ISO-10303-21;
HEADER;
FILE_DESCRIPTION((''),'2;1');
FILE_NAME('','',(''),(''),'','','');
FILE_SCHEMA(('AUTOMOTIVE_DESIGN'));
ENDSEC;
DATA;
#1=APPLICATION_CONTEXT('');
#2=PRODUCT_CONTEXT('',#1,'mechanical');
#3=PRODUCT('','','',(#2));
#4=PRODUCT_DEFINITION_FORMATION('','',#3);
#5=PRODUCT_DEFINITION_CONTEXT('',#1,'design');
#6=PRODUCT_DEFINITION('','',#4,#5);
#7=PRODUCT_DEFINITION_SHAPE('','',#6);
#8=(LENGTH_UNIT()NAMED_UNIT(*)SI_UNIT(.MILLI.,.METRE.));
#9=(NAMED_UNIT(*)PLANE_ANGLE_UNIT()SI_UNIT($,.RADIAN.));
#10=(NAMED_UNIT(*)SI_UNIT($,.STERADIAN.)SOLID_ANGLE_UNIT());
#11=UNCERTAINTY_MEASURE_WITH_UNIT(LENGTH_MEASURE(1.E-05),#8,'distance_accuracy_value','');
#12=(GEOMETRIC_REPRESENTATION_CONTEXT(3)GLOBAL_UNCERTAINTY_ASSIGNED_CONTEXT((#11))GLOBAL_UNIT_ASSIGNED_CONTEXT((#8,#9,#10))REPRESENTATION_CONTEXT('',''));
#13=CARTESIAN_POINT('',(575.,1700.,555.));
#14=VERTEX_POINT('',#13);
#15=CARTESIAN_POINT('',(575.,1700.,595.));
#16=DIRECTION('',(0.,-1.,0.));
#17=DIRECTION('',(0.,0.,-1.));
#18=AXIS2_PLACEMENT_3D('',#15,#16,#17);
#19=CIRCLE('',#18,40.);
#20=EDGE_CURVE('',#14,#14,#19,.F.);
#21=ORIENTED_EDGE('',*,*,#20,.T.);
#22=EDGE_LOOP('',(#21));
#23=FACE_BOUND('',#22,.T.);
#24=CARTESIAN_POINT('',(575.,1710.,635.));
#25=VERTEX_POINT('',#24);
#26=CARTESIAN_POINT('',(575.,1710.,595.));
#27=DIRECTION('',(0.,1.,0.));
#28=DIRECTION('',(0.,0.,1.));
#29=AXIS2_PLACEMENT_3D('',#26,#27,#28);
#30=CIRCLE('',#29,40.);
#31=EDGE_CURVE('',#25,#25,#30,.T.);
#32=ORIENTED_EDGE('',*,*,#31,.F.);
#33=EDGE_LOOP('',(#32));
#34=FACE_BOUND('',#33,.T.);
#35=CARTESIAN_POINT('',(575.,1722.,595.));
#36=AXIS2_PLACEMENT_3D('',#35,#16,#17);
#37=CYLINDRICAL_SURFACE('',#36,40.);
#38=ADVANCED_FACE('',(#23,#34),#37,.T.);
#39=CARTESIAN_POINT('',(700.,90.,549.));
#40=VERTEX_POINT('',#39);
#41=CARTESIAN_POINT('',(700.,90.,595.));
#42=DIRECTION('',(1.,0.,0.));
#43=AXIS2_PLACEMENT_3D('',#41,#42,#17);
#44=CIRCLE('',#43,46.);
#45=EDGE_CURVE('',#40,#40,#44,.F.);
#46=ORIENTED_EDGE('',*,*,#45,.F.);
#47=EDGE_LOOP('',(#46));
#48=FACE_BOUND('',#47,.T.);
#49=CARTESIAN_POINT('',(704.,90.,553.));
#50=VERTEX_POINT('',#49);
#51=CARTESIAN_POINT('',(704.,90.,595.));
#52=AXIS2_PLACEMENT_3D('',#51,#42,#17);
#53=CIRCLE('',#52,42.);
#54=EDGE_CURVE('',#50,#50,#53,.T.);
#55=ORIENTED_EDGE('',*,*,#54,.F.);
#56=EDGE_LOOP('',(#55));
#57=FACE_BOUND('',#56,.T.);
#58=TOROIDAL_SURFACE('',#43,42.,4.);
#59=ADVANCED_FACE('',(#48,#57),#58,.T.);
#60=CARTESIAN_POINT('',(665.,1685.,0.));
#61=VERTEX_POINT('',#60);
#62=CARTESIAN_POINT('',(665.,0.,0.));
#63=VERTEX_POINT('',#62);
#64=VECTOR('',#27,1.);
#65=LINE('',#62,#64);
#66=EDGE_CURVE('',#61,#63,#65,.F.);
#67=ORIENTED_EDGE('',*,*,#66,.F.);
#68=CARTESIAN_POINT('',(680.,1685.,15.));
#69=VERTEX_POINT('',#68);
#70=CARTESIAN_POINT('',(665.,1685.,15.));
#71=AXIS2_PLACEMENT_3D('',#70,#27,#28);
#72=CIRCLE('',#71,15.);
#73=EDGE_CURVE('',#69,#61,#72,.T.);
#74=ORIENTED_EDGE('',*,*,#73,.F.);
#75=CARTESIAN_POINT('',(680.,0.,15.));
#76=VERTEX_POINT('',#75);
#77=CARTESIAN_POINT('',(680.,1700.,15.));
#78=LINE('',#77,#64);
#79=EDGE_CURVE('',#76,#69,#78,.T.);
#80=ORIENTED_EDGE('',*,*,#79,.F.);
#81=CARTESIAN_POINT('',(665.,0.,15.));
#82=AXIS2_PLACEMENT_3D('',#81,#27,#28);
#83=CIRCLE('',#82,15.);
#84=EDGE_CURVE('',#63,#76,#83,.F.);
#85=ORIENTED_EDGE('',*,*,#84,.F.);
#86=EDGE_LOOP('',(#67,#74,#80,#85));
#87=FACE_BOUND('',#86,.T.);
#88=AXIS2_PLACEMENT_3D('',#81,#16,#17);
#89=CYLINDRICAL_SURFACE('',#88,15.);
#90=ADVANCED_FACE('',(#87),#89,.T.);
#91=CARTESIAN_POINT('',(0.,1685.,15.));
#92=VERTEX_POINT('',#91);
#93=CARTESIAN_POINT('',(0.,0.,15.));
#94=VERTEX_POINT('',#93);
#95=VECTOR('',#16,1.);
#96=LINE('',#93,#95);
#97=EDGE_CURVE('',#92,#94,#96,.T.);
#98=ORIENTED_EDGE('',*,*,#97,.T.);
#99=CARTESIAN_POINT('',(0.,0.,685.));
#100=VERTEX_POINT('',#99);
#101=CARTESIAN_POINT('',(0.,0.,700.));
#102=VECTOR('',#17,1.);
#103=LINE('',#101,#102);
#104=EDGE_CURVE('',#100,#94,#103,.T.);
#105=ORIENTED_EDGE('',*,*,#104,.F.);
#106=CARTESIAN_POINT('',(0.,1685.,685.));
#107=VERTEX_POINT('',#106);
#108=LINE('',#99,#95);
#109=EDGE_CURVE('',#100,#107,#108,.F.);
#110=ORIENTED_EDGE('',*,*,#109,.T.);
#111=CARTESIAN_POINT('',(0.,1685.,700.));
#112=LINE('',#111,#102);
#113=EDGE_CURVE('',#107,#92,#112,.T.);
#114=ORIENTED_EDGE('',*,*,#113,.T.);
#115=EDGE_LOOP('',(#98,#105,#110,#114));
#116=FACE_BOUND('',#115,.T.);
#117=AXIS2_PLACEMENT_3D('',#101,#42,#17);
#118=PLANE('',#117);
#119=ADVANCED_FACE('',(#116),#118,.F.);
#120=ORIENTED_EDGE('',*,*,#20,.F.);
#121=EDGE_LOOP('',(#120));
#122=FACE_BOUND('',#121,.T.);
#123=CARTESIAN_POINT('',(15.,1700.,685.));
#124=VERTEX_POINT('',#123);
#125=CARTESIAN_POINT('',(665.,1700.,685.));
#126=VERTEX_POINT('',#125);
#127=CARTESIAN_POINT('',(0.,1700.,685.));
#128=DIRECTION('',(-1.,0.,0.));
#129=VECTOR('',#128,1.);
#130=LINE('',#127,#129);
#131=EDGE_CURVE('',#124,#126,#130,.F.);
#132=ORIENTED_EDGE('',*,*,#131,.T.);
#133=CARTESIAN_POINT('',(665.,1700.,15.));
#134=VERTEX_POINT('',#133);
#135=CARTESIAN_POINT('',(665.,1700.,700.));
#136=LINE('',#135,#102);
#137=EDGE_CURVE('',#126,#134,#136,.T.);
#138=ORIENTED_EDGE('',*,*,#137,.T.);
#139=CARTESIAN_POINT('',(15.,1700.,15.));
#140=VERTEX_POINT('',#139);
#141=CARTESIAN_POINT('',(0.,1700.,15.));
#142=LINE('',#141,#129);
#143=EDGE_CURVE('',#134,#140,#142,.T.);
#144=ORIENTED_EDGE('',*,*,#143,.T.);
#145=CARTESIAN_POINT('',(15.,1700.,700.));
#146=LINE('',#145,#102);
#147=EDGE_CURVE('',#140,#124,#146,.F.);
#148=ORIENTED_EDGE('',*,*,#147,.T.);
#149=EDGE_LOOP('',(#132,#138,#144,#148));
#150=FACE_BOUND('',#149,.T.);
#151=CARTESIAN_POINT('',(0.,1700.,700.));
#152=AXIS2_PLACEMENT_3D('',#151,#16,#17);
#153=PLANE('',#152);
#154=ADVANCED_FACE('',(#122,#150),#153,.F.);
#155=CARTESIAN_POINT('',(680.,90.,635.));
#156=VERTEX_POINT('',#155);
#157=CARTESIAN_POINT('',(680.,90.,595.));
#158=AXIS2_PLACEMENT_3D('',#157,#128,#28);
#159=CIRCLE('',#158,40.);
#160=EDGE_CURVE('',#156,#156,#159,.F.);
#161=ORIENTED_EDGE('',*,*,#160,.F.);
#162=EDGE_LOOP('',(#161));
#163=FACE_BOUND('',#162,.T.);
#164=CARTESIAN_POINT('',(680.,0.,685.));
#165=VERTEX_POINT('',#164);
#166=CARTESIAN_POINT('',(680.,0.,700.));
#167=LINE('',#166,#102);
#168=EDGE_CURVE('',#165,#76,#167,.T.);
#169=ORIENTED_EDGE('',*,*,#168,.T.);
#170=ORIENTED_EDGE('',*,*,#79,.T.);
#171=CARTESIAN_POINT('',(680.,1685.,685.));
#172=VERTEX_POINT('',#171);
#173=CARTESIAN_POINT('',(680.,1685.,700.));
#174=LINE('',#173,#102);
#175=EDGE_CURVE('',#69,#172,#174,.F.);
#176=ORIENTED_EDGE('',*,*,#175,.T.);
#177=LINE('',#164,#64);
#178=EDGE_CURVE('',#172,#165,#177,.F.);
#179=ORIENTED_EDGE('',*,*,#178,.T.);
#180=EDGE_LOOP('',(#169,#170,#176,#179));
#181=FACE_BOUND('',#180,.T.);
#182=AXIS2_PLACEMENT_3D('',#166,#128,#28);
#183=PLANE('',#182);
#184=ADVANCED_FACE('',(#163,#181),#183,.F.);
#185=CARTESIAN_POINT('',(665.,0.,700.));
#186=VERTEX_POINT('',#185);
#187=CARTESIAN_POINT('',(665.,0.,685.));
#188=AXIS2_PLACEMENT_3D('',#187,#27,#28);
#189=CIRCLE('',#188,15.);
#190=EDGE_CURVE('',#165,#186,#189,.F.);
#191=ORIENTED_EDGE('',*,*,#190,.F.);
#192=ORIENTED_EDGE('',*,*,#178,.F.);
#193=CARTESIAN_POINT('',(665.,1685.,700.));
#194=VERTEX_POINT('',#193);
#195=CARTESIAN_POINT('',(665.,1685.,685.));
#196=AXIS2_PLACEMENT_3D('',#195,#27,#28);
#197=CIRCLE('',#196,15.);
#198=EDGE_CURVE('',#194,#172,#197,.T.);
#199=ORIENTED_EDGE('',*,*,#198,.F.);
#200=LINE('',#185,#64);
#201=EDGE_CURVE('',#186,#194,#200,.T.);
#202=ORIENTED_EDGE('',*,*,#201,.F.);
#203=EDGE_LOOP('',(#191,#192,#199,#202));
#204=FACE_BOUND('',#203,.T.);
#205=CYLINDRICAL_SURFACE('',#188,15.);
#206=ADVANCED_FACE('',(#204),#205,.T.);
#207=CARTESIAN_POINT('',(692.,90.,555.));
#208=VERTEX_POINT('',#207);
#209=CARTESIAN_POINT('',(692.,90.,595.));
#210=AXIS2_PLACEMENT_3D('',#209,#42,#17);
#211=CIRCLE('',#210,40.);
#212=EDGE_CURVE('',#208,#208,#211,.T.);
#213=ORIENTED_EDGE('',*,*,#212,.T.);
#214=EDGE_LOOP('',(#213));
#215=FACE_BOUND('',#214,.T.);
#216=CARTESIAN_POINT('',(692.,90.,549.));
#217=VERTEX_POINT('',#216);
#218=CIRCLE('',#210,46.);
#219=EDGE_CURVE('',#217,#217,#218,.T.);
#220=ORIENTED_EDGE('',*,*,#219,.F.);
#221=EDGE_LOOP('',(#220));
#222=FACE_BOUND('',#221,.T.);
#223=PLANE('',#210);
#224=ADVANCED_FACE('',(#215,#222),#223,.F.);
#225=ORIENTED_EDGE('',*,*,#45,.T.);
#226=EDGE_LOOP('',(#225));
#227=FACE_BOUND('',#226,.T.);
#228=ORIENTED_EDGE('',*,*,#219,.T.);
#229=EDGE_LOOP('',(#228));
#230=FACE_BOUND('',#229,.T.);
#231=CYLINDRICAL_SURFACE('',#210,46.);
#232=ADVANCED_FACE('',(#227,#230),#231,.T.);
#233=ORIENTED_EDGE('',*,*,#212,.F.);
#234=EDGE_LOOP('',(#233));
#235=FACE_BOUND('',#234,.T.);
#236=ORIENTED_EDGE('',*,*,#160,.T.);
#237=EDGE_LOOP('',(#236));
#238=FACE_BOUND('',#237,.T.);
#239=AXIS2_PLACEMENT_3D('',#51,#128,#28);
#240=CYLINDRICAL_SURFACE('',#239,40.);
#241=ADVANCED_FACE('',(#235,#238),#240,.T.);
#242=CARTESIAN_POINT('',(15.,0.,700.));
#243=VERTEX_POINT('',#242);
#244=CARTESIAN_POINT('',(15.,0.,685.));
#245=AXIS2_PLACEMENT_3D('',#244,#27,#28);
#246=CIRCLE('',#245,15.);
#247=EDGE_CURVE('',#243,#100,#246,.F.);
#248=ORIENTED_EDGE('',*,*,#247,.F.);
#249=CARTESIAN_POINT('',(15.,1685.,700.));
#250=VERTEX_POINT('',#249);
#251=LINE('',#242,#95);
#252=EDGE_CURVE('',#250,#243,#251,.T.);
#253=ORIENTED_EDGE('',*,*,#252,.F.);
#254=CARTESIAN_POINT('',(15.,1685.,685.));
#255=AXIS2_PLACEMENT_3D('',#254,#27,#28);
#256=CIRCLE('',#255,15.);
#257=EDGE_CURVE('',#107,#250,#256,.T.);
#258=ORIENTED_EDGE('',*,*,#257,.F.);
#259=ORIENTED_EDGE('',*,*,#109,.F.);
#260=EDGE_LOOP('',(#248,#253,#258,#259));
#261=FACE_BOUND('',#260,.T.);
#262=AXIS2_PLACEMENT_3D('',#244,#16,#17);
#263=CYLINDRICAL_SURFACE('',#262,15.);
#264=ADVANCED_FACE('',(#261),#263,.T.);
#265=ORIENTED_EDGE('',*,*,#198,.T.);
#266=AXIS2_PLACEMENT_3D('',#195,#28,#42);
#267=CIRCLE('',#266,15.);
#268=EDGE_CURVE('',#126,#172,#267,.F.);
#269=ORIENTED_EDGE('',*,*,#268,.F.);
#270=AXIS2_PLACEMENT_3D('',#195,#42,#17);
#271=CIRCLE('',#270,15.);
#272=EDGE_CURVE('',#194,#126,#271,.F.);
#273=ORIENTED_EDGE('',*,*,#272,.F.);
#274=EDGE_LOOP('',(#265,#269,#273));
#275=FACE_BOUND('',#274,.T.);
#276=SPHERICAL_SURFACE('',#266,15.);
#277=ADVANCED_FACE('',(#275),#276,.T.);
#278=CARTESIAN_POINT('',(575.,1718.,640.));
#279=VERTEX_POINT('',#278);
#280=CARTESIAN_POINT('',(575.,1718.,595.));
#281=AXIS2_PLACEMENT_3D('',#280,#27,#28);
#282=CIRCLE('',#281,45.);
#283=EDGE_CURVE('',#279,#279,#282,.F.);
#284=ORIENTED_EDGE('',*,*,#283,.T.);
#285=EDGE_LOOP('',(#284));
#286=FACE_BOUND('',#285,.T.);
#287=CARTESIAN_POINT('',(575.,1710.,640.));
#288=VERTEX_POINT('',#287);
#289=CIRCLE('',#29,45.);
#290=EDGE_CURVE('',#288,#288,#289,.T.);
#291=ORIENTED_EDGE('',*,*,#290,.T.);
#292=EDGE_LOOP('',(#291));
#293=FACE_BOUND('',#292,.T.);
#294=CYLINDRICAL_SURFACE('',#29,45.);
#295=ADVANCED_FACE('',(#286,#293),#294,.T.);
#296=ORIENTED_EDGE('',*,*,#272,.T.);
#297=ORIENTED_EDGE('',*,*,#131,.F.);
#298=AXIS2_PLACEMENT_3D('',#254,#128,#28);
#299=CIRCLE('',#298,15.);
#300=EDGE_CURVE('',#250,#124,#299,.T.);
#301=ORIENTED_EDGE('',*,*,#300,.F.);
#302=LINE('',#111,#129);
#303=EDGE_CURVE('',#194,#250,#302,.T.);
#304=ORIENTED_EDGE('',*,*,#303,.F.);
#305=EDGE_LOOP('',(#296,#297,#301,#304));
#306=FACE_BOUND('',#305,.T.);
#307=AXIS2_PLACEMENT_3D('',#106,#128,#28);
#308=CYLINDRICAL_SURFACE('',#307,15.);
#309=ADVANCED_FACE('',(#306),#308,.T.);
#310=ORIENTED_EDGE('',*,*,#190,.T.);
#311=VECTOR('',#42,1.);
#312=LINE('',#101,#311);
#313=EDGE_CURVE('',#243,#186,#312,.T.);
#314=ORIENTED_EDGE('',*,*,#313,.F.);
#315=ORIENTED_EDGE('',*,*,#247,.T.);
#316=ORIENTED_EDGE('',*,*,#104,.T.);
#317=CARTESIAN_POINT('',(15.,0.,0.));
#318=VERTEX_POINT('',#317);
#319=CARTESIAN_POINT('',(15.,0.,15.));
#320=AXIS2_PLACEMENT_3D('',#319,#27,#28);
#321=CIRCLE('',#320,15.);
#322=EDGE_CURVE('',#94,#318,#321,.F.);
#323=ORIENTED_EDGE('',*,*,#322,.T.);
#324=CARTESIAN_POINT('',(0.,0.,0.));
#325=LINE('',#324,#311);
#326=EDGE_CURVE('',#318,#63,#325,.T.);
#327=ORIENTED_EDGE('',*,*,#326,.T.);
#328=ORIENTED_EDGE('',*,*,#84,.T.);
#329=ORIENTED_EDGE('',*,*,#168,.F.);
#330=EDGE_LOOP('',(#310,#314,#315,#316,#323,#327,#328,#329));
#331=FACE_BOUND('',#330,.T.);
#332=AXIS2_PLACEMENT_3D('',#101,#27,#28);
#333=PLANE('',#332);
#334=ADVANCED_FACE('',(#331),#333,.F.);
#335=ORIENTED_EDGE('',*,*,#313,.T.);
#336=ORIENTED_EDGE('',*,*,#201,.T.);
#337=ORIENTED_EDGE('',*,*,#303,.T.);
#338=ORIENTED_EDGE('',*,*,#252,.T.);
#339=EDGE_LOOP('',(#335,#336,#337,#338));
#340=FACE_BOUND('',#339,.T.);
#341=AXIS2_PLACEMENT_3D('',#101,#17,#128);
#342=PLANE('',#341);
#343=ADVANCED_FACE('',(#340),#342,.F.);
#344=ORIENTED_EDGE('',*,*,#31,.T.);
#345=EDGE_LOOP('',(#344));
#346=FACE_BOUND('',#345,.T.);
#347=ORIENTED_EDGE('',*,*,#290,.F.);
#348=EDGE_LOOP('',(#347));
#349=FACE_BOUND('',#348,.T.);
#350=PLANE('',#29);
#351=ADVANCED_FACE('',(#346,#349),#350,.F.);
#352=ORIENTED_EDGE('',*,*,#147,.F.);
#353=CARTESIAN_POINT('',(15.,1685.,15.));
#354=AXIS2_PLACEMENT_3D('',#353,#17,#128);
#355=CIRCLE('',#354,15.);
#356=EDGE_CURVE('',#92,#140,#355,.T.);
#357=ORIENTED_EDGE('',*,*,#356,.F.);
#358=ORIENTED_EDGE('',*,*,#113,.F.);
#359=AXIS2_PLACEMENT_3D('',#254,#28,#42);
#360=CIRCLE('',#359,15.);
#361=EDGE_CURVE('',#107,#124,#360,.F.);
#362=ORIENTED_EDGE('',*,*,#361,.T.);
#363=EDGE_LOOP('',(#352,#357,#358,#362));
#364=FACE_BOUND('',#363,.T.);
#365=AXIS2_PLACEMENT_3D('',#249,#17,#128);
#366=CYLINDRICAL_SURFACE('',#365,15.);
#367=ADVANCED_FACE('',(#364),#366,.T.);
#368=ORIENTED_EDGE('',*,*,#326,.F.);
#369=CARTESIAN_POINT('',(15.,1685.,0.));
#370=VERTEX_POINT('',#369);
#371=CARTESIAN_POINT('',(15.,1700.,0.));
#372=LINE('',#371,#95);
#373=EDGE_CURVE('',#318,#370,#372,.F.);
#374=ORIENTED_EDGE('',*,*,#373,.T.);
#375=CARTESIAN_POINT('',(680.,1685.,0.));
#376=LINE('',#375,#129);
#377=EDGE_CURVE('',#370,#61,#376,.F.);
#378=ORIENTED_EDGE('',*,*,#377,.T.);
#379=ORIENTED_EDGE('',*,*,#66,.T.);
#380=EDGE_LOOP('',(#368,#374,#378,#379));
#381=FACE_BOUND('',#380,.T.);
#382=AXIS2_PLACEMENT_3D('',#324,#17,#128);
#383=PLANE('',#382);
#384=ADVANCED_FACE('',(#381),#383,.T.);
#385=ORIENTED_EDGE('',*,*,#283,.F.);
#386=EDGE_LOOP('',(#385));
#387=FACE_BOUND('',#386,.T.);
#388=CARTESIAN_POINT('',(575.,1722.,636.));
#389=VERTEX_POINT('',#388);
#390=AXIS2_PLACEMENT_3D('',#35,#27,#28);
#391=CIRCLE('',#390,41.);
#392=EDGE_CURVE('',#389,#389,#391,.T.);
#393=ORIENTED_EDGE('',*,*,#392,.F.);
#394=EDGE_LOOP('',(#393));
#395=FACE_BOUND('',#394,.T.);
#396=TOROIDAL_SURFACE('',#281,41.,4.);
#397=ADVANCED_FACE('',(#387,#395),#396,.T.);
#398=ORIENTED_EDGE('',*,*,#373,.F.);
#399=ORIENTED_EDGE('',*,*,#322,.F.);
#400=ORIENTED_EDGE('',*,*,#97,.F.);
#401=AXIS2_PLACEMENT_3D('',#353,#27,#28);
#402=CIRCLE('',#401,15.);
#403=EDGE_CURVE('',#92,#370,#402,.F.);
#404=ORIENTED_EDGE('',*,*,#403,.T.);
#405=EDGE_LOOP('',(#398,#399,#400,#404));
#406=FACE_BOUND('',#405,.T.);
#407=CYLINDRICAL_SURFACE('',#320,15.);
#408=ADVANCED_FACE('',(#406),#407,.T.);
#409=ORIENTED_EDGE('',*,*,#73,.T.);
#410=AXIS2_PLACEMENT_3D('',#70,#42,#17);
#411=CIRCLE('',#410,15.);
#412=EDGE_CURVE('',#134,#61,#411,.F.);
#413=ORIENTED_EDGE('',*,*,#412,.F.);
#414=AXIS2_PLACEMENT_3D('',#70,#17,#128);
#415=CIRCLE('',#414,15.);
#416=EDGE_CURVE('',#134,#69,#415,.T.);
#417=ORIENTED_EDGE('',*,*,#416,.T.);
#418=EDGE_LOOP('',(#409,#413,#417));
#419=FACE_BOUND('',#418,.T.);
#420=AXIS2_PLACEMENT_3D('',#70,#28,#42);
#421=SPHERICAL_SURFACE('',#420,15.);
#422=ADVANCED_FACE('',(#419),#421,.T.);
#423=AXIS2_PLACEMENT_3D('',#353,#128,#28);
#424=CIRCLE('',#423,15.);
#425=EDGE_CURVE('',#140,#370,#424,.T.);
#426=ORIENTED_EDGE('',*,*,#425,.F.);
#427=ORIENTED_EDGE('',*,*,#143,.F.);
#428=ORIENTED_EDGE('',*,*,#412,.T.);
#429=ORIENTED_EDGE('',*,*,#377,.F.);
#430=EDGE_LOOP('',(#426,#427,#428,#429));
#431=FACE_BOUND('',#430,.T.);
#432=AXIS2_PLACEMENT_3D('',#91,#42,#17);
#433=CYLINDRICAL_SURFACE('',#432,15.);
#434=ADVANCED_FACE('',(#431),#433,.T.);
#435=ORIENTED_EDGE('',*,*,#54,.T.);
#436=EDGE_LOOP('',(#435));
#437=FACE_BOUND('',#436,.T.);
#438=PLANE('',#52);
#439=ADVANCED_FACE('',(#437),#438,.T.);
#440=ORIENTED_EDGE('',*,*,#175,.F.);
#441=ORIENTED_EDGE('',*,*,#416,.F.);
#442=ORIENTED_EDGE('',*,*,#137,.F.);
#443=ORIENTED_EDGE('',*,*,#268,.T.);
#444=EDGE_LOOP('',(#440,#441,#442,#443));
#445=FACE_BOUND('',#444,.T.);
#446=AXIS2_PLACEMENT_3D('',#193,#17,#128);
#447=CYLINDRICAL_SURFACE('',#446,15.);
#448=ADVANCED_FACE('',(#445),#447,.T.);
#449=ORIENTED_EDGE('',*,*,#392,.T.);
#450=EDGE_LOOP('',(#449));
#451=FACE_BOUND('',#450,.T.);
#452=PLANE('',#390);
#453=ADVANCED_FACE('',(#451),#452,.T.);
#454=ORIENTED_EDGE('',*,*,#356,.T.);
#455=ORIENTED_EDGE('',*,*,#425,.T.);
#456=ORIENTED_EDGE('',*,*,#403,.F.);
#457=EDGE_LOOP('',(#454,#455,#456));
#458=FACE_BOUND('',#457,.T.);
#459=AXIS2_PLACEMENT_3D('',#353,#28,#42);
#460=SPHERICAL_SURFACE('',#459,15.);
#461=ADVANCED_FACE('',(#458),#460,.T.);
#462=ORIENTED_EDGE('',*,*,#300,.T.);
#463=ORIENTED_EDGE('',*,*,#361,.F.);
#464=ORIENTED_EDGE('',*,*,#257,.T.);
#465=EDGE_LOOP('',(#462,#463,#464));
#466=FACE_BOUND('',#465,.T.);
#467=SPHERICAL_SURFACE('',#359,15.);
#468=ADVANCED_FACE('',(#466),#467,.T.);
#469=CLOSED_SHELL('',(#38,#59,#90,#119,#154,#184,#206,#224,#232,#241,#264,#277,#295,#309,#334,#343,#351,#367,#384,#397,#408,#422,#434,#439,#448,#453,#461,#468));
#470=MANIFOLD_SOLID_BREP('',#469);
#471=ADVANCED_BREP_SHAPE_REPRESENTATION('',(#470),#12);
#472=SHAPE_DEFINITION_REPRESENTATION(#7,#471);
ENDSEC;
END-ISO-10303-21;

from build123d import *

# Parameters (mm, degrees)
CROQUIS1_W              = 680
CROQUIS1_H              = 1700
SALIENTE_EXTRUIR1_DEPTH = 700
REDONDEO1_R             = 15
CROQUIS4_R              = 40
SALIENTE_EXTRUIR4_DEPTH = 22
CROQUIS5_R              = 45
SALIENTE_EXTRUIR5_DEPTH = 12
REDONDEO3_R             = 4
CROQUIS6_R              = 40
SALIENTE_EXTRUIR6_DEPTH = 24
CROQUIS7_R              = 46
SALIENTE_EXTRUIR7_DEPTH = 12
REDONDEO5_R             = 4


with BuildPart() as part:
    # Croquis1 → Saliente-Extruir1 (new body)
    with BuildSketch(Plane.XY):
        with Locations((340, 850)):
            Rectangle(CROQUIS1_W, CROQUIS1_H)
    extrude(amount=SALIENTE_EXTRUIR1_DEPTH)

    # Redondeo1
    redondeo1_edges = [part.edges().sort_by_distance(p)[0] for p in [
        (680, 850, 700),
        (340, 1700, 700),
        (0, 850, 700),
        (340, 1700, 0),
        (680, 850, 0),
        (0, 850, 0),
        (0, 1700, 350),
        (680, 1700, 350),
    ]]
    fillet(redondeo1_edges, radius=REDONDEO1_R)

    # Croquis4 → Saliente-Extruir4 (add)
    with BuildSketch(Plane(origin=(0, 1700, 0), x_dir=(1, 0, 0), z_dir=(0, 1, 0))):
        with Locations(Location((575, -595, 0), (0, 0, 90))):
            Circle(CROQUIS4_R)
    extrude(amount=SALIENTE_EXTRUIR4_DEPTH)

    # Croquis5 → Saliente-Extruir5 (add)
    with BuildSketch(Plane(origin=(0, 1722, 0), x_dir=(1, 0, 0), z_dir=(0, 1, 0))):
        with Locations(Location((575, -595, 0), (0, 0, 270))):
            Circle(CROQUIS5_R)
    extrude(amount=-SALIENTE_EXTRUIR5_DEPTH)

    # Redondeo3
    redondeo3_edges = [part.edges().sort_by_distance(p)[0] for p in [
        (575, 1722, 550),
    ]]
    fillet(redondeo3_edges, radius=REDONDEO3_R)

    # Croquis6 → Saliente-Extruir6 (add)
    with BuildSketch(Plane(origin=(680, 0, 0), x_dir=(0, 0, -1), z_dir=(1, 0, 0))):
        with Locations(Location((-595, 90, 0), (0, 0, 180))):
            Circle(CROQUIS6_R)
    extrude(amount=SALIENTE_EXTRUIR6_DEPTH)

    # Croquis7 → Saliente-Extruir7 (add)
    with BuildSketch(Plane(origin=(704, 0, 0), x_dir=(0, 0, -1), z_dir=(1, 0, 0))):
        with Locations((-595, 90)):
            Circle(CROQUIS7_R)
    extrude(amount=-SALIENTE_EXTRUIR7_DEPTH)

    # Redondeo5
    redondeo5_edges = [part.edges().sort_by_distance(p)[0] for p in [
        (704, 90, 641),
    ]]
    fillet(redondeo5_edges, radius=REDONDEO5_R)


solid = part.part
